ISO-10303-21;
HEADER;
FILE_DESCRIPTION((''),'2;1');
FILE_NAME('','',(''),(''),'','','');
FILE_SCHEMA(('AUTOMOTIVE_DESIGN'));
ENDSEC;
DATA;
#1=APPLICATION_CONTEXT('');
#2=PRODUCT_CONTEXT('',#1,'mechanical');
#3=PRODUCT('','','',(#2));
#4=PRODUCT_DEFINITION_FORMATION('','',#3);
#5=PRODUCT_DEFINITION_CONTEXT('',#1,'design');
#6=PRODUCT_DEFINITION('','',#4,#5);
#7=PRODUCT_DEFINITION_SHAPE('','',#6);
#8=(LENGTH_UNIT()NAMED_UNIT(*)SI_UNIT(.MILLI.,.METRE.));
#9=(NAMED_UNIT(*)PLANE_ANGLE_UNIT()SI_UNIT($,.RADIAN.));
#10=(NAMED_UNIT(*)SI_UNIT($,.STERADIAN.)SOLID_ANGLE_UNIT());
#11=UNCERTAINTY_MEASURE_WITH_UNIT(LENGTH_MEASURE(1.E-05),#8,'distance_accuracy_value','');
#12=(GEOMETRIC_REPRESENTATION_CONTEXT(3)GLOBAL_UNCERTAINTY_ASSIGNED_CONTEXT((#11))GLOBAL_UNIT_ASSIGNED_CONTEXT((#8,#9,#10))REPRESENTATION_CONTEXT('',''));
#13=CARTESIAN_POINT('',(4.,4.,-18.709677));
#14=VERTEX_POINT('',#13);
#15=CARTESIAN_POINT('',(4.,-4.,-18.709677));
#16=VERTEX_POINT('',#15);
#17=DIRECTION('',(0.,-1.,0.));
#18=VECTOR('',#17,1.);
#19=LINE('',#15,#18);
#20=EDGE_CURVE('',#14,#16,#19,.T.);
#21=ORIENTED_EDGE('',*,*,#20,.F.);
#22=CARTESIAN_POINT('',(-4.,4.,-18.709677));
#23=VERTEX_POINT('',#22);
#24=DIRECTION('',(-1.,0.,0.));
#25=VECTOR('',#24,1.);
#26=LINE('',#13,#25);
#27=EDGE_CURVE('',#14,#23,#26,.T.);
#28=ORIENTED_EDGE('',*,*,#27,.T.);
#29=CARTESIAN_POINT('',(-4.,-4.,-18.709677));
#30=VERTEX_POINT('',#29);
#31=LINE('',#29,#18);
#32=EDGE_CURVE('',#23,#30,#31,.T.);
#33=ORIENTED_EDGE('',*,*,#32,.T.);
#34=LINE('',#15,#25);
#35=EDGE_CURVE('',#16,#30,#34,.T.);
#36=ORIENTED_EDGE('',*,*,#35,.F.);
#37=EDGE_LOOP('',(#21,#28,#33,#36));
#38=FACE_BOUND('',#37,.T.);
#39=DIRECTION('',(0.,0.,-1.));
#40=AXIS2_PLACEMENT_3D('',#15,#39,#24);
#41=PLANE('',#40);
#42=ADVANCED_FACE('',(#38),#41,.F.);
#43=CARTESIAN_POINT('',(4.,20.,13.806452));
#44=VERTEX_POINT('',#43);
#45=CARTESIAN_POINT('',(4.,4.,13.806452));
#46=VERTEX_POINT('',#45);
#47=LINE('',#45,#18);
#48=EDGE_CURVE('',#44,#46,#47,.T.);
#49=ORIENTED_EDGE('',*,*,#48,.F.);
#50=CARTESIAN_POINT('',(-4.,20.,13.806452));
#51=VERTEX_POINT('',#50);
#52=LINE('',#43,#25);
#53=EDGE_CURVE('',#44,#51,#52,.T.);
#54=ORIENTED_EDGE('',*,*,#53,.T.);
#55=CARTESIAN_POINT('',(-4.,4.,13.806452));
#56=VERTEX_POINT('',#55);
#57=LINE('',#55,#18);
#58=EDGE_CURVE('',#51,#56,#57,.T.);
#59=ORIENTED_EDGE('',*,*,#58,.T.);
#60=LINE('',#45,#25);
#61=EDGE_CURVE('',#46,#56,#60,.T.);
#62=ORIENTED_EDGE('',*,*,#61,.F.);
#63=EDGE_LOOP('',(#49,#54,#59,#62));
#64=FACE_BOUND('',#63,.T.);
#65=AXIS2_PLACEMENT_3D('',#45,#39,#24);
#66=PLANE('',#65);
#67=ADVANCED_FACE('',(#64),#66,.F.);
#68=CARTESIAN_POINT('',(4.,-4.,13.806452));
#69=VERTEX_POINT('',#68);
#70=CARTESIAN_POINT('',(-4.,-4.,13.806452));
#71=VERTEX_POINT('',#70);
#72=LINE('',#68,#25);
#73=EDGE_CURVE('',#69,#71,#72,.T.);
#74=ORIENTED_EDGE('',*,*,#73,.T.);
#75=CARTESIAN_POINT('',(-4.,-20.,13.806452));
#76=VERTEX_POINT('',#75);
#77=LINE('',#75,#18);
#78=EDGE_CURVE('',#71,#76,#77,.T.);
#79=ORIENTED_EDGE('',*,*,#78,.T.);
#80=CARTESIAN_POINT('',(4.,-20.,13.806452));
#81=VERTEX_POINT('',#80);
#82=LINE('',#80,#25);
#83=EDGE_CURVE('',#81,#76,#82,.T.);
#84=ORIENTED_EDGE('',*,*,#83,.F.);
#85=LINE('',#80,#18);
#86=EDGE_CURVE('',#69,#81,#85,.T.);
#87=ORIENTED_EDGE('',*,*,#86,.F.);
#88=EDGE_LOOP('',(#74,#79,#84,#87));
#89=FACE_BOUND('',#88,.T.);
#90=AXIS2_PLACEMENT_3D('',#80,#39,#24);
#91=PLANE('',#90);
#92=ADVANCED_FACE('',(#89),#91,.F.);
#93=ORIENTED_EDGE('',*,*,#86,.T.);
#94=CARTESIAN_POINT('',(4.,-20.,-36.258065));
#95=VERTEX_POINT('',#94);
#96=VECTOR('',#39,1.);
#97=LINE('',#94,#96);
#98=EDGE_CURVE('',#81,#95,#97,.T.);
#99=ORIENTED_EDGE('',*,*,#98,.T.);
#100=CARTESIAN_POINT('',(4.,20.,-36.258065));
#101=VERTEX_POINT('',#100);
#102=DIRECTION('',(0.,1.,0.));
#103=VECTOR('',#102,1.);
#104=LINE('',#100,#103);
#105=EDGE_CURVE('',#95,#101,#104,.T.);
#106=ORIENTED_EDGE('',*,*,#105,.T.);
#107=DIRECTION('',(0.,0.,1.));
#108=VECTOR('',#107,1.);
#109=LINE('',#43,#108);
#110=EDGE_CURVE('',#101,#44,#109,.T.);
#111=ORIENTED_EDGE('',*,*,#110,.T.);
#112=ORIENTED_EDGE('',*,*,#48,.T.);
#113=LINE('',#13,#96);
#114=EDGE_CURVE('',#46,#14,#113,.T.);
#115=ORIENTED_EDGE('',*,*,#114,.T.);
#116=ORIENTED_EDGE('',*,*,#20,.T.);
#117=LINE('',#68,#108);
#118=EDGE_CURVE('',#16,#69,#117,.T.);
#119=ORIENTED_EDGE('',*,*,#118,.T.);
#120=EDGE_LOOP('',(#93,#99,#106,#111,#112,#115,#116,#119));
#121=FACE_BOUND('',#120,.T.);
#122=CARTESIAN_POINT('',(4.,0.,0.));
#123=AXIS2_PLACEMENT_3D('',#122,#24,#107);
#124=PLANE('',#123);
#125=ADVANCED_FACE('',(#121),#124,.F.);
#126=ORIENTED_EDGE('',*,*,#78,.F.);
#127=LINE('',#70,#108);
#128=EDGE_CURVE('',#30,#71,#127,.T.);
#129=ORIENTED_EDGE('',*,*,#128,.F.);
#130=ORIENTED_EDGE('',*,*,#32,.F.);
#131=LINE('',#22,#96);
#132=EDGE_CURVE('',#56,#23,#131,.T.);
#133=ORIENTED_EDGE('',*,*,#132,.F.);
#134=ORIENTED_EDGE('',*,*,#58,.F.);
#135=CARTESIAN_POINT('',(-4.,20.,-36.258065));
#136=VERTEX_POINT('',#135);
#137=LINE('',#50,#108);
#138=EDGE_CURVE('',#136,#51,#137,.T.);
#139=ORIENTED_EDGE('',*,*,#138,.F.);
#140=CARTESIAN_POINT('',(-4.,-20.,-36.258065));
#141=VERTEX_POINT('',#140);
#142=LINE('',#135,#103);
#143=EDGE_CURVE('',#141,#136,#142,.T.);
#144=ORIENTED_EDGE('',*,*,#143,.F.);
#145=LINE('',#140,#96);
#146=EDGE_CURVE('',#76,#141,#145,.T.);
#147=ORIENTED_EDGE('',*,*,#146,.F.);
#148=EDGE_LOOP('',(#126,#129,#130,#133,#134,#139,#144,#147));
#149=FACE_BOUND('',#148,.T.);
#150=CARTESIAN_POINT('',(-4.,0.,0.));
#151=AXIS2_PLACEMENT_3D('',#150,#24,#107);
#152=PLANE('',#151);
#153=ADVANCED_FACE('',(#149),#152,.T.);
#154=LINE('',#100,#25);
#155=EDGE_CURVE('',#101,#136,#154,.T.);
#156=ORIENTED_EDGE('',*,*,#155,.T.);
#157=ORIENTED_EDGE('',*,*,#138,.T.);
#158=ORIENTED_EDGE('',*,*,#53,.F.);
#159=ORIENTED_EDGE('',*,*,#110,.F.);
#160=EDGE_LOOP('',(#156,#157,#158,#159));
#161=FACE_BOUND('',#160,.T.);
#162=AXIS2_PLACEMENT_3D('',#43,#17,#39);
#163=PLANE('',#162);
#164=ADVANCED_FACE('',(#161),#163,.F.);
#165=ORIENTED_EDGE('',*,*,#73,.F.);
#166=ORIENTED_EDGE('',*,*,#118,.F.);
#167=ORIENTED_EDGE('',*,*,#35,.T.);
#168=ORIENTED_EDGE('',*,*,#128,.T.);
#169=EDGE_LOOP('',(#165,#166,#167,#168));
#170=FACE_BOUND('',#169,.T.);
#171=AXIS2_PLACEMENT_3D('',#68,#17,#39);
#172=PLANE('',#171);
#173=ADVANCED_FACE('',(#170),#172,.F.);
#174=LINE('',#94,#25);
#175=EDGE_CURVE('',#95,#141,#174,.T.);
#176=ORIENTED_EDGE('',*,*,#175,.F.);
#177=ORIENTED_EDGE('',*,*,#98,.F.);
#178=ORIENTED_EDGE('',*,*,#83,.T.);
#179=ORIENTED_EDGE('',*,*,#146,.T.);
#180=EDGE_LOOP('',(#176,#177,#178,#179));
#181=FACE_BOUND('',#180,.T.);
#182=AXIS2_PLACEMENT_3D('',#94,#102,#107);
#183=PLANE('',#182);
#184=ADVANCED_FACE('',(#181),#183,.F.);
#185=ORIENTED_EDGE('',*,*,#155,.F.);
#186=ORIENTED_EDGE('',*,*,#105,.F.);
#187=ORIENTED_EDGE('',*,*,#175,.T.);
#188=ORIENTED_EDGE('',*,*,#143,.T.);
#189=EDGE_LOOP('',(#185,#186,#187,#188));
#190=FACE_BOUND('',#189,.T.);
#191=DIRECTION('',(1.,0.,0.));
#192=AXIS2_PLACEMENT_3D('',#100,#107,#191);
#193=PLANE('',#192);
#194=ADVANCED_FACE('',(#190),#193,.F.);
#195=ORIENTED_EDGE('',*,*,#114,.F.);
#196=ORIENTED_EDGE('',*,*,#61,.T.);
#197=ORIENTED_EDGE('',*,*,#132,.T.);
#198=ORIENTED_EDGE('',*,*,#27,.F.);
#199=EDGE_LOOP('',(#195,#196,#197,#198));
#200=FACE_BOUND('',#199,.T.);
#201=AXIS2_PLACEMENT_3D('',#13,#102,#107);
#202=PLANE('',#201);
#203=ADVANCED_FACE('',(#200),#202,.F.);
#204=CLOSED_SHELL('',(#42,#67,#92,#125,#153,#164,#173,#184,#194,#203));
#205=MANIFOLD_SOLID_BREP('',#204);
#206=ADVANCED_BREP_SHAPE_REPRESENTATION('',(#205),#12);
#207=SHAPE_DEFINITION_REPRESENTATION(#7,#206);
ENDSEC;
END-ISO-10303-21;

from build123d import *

# Parameters (mm, degrees)
BOSS_EXTRUDE1_DEPTH = 4


with BuildPart() as part:
    # Sketch1 → Boss-Extrude1 (new, symmetric)
    with BuildSketch(Plane(origin=(0, 0, 0), x_dir=(0, 0, -1), z_dir=(1, 0, 0))):
        Polygon((36.258064516, 20), (36.258064516, -20), (-13.806451613, -20), (-13.806451613, -4), (18.709677419, -4), (18.709677419, 4), (-13.806451613, 4), (-13.806451613, 20), align=None)
    extrude(amount=BOSS_EXTRUDE1_DEPTH, both=True)


solid = part.part
